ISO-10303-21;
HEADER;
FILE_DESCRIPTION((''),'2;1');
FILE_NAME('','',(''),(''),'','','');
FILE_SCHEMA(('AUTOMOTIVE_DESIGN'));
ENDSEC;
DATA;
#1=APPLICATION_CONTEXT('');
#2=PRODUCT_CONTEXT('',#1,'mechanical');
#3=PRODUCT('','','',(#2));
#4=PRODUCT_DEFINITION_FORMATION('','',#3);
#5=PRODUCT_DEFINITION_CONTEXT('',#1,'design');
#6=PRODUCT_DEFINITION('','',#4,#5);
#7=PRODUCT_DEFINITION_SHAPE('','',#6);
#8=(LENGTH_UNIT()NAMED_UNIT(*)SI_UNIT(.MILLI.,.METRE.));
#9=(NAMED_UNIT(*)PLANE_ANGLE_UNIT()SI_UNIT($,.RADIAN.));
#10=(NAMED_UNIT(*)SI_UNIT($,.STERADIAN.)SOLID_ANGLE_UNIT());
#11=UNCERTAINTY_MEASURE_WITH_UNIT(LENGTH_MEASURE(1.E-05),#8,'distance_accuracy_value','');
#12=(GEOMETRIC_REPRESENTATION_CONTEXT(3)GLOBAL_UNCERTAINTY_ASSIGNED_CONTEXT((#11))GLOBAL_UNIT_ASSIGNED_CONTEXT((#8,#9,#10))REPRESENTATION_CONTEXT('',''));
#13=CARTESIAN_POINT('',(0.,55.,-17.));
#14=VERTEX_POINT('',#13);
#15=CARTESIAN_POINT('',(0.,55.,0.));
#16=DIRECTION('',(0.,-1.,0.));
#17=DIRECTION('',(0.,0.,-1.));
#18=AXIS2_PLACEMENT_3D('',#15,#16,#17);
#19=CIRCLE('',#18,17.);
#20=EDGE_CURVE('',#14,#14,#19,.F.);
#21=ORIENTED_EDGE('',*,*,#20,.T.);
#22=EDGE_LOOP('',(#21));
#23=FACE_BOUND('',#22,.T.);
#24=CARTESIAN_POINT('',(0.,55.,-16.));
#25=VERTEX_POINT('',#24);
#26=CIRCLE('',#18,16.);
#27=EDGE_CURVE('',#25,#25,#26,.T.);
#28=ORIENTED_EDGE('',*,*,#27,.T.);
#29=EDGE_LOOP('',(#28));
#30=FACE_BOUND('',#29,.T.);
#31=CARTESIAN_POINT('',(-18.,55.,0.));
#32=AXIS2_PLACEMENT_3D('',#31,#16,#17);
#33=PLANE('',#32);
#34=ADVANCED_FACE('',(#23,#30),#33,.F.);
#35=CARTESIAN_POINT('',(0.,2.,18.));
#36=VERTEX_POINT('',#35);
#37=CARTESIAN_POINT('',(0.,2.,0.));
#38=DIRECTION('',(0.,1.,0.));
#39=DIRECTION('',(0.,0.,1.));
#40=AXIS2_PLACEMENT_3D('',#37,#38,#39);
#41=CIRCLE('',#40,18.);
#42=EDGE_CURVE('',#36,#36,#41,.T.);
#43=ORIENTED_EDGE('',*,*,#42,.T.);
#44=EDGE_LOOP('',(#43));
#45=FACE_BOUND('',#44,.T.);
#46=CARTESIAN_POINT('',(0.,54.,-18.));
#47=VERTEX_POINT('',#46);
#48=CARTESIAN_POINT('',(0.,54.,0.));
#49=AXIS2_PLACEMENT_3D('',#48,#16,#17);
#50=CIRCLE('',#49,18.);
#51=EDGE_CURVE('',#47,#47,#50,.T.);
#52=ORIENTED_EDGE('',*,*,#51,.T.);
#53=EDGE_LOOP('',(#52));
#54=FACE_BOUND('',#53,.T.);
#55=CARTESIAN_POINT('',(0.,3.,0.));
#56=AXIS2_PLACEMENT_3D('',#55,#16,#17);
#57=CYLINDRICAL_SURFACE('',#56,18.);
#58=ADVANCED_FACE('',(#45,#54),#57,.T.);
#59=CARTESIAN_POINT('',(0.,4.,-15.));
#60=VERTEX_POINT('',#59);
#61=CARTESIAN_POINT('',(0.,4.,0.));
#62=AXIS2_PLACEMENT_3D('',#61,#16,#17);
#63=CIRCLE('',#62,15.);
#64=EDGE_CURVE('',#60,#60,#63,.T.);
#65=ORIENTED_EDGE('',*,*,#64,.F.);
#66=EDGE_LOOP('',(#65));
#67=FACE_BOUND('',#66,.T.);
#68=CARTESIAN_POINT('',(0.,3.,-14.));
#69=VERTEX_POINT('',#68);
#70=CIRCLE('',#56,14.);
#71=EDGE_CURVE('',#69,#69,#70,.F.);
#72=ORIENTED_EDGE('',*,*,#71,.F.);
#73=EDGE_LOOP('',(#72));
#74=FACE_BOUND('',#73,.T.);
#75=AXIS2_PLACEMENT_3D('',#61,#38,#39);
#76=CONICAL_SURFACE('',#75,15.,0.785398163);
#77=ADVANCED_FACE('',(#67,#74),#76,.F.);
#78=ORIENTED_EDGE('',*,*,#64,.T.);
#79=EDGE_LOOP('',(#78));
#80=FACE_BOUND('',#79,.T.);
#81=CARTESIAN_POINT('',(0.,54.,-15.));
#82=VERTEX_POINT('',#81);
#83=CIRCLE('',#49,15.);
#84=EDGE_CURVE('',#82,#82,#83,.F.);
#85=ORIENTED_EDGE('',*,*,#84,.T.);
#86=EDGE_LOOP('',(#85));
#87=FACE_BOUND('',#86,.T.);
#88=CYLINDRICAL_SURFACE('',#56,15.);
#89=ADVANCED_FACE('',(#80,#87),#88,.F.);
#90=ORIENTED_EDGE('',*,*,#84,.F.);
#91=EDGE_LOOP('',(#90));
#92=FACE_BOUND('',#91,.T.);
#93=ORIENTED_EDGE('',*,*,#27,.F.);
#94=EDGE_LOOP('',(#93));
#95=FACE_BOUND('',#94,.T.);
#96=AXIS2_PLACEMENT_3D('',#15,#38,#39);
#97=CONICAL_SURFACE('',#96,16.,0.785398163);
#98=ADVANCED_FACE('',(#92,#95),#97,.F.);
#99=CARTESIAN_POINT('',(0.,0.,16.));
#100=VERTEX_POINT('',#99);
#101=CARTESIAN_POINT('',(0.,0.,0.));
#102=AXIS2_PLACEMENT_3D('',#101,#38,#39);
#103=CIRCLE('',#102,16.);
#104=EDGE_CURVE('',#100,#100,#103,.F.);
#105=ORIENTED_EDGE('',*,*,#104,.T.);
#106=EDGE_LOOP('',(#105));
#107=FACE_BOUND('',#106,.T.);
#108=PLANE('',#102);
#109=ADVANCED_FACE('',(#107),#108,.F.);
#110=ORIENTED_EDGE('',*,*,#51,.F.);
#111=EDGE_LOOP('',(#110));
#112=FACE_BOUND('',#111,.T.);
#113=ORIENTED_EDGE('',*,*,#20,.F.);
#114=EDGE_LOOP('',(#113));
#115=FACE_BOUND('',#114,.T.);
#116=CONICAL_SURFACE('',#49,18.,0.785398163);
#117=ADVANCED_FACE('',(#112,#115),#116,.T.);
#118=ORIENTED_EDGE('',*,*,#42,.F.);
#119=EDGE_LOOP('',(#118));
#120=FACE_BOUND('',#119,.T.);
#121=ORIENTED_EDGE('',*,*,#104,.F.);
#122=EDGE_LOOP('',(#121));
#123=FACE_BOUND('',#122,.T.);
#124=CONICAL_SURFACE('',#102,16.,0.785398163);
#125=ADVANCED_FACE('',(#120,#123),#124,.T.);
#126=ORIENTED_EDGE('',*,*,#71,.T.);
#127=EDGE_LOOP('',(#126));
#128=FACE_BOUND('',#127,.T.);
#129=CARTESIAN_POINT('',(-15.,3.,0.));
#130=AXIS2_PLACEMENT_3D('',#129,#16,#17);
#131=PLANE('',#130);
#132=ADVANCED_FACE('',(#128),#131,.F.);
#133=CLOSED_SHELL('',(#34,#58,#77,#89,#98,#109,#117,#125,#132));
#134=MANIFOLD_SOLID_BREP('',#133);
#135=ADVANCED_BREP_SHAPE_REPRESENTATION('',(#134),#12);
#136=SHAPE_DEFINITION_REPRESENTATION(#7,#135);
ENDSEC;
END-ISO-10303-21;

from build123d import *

# Parameters (mm, degrees)
CHAMFER_1_SIZE = 2
CHAMFER_2_SIZE = 1
CHAMFER_3_SIZE = 1


with BuildPart() as part:
    # Эскиз1 → Повернуть1 (revolve)
    with BuildSketch(Plane.XY):
        Polygon((0, 0), (-18, 0), (-18, 55), (-15, 55), (-15, 3), (0, 3), align=None)
    revolve(axis=Axis((0, 3, 0), (0, 1, 0)))

    # Фаска1
    chamfer_1_edges = [part.edges().sort_by_distance(p)[0] for p in [
        (18, 0, 0),
    ]]
    chamfer(chamfer_1_edges, length=CHAMFER_1_SIZE)

    # Фаска2
    chamfer_2_edges = [part.edges().sort_by_distance(p)[0] for p in [
        (15, 55, 0),
        (18, 55, 0),
    ]]
    chamfer(chamfer_2_edges, length=CHAMFER_2_SIZE)

    # Фаска3
    chamfer_3_edges = [part.edges().sort_by_distance(p)[0] for p in [
        (15, 3, 0),
    ]]
    chamfer(chamfer_3_edges, length=CHAMFER_3_SIZE)


solid = part.part
